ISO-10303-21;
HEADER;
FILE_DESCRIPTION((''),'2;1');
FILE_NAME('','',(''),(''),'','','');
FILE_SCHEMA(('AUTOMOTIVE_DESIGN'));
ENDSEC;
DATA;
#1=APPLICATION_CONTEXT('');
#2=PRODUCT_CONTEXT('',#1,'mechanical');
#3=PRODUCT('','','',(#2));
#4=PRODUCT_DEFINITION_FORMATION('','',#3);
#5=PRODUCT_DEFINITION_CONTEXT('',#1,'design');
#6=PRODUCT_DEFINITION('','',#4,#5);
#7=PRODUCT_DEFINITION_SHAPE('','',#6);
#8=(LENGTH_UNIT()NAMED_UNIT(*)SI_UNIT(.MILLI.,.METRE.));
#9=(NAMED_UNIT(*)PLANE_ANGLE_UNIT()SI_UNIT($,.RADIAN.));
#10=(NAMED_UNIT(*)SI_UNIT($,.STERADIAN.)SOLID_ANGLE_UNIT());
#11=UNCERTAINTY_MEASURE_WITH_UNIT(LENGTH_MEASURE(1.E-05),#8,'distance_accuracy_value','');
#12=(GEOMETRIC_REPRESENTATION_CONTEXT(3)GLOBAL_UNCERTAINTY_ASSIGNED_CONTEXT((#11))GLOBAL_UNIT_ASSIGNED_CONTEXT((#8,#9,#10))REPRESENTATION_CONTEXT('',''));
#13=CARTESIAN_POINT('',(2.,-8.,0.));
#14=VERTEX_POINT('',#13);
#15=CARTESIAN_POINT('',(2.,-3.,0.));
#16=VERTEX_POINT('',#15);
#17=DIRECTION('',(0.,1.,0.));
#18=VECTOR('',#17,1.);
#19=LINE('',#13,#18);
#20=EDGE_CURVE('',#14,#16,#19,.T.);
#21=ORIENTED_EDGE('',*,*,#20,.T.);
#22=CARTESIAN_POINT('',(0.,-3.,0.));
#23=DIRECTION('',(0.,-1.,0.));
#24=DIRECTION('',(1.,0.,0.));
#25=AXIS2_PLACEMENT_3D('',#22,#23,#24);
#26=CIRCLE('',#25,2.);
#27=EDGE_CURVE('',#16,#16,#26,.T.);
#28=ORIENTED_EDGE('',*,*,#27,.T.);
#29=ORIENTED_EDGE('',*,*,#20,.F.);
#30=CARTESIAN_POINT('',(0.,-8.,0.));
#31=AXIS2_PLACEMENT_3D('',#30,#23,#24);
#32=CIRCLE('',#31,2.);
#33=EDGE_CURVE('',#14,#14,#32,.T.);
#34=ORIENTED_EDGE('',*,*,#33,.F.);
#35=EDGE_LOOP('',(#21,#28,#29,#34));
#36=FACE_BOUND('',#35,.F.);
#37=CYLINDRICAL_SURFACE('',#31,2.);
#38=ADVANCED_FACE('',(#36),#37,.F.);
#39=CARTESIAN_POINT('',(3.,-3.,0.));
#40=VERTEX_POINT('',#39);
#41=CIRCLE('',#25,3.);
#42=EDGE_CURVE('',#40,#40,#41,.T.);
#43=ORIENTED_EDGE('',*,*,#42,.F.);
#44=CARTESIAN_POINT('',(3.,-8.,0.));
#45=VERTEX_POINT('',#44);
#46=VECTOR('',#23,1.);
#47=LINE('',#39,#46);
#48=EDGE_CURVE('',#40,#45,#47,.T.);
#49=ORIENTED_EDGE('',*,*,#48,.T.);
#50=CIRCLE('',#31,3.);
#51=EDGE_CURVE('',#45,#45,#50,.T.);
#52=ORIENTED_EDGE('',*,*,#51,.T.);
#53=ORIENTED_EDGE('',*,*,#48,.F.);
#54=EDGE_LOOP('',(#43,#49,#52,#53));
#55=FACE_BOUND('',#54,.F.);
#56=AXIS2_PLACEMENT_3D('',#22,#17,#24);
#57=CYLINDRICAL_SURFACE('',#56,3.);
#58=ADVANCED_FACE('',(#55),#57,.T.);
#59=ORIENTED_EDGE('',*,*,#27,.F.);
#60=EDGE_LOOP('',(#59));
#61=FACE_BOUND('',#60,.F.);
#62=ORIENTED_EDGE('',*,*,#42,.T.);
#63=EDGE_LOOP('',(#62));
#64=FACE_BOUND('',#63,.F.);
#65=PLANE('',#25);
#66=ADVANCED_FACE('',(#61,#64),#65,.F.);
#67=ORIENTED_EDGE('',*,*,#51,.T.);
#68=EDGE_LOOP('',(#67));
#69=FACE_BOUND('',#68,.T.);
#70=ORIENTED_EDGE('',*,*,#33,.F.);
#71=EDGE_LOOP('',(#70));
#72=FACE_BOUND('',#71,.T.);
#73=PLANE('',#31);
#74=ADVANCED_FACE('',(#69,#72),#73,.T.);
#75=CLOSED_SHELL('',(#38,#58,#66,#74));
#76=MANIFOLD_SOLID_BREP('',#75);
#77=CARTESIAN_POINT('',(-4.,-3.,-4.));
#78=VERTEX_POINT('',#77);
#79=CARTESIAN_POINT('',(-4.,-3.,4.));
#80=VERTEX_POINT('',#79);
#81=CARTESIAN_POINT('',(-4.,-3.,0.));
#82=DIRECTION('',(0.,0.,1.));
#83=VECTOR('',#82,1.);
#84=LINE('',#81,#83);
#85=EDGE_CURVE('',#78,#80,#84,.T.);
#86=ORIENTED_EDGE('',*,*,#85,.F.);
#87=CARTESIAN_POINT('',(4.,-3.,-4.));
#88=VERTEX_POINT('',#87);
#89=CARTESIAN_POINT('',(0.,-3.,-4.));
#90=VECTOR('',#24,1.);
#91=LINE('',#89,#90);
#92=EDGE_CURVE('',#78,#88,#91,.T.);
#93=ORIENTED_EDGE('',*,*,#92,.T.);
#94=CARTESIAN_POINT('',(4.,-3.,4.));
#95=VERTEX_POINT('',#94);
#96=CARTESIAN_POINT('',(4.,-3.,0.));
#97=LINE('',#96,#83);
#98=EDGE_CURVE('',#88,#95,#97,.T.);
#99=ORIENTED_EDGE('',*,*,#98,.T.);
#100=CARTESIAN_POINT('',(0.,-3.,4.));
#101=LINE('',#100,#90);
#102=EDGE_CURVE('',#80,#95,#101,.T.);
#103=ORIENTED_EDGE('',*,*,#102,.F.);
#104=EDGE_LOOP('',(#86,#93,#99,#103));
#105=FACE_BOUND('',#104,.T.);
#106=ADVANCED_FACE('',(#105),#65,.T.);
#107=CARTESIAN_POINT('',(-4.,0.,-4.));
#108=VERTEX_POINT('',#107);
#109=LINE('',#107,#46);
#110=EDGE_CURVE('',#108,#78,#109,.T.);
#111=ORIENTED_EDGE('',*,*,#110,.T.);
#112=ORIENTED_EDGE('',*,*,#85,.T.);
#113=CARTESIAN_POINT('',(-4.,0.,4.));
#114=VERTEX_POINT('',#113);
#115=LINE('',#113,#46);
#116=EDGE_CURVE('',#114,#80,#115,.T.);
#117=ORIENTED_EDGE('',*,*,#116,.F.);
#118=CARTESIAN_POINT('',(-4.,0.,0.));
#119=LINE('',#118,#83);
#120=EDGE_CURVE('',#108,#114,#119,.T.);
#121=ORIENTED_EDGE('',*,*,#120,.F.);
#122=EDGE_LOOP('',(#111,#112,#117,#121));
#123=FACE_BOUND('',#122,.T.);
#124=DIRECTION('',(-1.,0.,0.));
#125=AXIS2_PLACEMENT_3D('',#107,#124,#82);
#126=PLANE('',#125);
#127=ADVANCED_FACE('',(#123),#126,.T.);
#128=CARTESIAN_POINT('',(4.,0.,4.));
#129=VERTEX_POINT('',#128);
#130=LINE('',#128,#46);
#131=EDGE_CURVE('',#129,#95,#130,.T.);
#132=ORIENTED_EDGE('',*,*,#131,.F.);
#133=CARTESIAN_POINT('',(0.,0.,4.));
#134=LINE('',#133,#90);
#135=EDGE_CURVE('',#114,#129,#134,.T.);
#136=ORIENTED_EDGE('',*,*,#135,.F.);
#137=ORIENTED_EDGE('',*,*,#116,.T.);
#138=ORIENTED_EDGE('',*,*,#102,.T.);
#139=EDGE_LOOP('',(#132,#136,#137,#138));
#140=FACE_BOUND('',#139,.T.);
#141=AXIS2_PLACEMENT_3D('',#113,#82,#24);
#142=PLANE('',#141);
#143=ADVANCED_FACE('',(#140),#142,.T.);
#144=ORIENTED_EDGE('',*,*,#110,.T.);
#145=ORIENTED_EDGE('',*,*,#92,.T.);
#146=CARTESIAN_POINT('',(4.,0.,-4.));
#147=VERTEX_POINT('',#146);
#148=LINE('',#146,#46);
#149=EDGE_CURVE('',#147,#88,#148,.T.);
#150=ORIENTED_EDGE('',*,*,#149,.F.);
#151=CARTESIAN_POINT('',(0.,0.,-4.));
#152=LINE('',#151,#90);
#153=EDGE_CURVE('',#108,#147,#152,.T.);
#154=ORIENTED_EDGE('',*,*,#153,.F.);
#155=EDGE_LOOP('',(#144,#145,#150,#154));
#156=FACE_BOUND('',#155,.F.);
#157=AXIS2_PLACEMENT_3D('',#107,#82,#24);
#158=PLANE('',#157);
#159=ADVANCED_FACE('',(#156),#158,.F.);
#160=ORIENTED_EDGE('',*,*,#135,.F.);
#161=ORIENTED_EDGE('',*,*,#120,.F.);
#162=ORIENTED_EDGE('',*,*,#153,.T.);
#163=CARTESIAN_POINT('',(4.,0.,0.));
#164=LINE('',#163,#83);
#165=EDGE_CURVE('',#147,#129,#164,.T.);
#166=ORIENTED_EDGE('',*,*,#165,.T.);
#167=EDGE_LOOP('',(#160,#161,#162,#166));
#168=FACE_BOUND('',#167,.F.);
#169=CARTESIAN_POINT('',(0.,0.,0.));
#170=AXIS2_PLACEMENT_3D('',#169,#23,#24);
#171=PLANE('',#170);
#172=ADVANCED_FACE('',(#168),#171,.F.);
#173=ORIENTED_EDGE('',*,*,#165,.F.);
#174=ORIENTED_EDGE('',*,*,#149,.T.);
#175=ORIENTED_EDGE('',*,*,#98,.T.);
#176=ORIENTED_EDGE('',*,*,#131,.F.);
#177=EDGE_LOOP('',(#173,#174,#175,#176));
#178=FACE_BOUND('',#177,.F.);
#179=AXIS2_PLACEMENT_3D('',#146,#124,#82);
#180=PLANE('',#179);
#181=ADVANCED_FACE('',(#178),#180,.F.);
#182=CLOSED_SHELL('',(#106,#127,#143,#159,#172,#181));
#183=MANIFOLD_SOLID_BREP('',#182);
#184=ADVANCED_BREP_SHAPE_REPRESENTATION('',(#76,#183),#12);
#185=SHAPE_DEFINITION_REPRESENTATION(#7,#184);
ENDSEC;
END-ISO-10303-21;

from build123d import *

# Parameters (mm, degrees)
F0_W     = 8
F0_H     = 8
F1_DEPTH = 3
F2_R     = 3
F3_DEPTH = 5
F4_R     = 2
F5_DEPTH = 5


with BuildPart() as f1:
    # F0 (on Front) → F1 (new body)
    with BuildSketch(Plane.XZ):
        Rectangle(F0_W, F0_H)
    extrude(amount=F1_DEPTH)


with BuildPart() as f3:
    # F2 (on face) → F3 (new body)
    with BuildSketch(Plane.XZ.offset(3)):
        Circle(F2_R)
    extrude(amount=F3_DEPTH)

    # F4 (on face) → F5 (cut)
    with BuildSketch(Plane.XZ.offset(8)):
        Circle(F4_R)
    extrude(amount=-F5_DEPTH, mode=Mode.SUBTRACT)


solid = Compound([f1.part, f3.part])
